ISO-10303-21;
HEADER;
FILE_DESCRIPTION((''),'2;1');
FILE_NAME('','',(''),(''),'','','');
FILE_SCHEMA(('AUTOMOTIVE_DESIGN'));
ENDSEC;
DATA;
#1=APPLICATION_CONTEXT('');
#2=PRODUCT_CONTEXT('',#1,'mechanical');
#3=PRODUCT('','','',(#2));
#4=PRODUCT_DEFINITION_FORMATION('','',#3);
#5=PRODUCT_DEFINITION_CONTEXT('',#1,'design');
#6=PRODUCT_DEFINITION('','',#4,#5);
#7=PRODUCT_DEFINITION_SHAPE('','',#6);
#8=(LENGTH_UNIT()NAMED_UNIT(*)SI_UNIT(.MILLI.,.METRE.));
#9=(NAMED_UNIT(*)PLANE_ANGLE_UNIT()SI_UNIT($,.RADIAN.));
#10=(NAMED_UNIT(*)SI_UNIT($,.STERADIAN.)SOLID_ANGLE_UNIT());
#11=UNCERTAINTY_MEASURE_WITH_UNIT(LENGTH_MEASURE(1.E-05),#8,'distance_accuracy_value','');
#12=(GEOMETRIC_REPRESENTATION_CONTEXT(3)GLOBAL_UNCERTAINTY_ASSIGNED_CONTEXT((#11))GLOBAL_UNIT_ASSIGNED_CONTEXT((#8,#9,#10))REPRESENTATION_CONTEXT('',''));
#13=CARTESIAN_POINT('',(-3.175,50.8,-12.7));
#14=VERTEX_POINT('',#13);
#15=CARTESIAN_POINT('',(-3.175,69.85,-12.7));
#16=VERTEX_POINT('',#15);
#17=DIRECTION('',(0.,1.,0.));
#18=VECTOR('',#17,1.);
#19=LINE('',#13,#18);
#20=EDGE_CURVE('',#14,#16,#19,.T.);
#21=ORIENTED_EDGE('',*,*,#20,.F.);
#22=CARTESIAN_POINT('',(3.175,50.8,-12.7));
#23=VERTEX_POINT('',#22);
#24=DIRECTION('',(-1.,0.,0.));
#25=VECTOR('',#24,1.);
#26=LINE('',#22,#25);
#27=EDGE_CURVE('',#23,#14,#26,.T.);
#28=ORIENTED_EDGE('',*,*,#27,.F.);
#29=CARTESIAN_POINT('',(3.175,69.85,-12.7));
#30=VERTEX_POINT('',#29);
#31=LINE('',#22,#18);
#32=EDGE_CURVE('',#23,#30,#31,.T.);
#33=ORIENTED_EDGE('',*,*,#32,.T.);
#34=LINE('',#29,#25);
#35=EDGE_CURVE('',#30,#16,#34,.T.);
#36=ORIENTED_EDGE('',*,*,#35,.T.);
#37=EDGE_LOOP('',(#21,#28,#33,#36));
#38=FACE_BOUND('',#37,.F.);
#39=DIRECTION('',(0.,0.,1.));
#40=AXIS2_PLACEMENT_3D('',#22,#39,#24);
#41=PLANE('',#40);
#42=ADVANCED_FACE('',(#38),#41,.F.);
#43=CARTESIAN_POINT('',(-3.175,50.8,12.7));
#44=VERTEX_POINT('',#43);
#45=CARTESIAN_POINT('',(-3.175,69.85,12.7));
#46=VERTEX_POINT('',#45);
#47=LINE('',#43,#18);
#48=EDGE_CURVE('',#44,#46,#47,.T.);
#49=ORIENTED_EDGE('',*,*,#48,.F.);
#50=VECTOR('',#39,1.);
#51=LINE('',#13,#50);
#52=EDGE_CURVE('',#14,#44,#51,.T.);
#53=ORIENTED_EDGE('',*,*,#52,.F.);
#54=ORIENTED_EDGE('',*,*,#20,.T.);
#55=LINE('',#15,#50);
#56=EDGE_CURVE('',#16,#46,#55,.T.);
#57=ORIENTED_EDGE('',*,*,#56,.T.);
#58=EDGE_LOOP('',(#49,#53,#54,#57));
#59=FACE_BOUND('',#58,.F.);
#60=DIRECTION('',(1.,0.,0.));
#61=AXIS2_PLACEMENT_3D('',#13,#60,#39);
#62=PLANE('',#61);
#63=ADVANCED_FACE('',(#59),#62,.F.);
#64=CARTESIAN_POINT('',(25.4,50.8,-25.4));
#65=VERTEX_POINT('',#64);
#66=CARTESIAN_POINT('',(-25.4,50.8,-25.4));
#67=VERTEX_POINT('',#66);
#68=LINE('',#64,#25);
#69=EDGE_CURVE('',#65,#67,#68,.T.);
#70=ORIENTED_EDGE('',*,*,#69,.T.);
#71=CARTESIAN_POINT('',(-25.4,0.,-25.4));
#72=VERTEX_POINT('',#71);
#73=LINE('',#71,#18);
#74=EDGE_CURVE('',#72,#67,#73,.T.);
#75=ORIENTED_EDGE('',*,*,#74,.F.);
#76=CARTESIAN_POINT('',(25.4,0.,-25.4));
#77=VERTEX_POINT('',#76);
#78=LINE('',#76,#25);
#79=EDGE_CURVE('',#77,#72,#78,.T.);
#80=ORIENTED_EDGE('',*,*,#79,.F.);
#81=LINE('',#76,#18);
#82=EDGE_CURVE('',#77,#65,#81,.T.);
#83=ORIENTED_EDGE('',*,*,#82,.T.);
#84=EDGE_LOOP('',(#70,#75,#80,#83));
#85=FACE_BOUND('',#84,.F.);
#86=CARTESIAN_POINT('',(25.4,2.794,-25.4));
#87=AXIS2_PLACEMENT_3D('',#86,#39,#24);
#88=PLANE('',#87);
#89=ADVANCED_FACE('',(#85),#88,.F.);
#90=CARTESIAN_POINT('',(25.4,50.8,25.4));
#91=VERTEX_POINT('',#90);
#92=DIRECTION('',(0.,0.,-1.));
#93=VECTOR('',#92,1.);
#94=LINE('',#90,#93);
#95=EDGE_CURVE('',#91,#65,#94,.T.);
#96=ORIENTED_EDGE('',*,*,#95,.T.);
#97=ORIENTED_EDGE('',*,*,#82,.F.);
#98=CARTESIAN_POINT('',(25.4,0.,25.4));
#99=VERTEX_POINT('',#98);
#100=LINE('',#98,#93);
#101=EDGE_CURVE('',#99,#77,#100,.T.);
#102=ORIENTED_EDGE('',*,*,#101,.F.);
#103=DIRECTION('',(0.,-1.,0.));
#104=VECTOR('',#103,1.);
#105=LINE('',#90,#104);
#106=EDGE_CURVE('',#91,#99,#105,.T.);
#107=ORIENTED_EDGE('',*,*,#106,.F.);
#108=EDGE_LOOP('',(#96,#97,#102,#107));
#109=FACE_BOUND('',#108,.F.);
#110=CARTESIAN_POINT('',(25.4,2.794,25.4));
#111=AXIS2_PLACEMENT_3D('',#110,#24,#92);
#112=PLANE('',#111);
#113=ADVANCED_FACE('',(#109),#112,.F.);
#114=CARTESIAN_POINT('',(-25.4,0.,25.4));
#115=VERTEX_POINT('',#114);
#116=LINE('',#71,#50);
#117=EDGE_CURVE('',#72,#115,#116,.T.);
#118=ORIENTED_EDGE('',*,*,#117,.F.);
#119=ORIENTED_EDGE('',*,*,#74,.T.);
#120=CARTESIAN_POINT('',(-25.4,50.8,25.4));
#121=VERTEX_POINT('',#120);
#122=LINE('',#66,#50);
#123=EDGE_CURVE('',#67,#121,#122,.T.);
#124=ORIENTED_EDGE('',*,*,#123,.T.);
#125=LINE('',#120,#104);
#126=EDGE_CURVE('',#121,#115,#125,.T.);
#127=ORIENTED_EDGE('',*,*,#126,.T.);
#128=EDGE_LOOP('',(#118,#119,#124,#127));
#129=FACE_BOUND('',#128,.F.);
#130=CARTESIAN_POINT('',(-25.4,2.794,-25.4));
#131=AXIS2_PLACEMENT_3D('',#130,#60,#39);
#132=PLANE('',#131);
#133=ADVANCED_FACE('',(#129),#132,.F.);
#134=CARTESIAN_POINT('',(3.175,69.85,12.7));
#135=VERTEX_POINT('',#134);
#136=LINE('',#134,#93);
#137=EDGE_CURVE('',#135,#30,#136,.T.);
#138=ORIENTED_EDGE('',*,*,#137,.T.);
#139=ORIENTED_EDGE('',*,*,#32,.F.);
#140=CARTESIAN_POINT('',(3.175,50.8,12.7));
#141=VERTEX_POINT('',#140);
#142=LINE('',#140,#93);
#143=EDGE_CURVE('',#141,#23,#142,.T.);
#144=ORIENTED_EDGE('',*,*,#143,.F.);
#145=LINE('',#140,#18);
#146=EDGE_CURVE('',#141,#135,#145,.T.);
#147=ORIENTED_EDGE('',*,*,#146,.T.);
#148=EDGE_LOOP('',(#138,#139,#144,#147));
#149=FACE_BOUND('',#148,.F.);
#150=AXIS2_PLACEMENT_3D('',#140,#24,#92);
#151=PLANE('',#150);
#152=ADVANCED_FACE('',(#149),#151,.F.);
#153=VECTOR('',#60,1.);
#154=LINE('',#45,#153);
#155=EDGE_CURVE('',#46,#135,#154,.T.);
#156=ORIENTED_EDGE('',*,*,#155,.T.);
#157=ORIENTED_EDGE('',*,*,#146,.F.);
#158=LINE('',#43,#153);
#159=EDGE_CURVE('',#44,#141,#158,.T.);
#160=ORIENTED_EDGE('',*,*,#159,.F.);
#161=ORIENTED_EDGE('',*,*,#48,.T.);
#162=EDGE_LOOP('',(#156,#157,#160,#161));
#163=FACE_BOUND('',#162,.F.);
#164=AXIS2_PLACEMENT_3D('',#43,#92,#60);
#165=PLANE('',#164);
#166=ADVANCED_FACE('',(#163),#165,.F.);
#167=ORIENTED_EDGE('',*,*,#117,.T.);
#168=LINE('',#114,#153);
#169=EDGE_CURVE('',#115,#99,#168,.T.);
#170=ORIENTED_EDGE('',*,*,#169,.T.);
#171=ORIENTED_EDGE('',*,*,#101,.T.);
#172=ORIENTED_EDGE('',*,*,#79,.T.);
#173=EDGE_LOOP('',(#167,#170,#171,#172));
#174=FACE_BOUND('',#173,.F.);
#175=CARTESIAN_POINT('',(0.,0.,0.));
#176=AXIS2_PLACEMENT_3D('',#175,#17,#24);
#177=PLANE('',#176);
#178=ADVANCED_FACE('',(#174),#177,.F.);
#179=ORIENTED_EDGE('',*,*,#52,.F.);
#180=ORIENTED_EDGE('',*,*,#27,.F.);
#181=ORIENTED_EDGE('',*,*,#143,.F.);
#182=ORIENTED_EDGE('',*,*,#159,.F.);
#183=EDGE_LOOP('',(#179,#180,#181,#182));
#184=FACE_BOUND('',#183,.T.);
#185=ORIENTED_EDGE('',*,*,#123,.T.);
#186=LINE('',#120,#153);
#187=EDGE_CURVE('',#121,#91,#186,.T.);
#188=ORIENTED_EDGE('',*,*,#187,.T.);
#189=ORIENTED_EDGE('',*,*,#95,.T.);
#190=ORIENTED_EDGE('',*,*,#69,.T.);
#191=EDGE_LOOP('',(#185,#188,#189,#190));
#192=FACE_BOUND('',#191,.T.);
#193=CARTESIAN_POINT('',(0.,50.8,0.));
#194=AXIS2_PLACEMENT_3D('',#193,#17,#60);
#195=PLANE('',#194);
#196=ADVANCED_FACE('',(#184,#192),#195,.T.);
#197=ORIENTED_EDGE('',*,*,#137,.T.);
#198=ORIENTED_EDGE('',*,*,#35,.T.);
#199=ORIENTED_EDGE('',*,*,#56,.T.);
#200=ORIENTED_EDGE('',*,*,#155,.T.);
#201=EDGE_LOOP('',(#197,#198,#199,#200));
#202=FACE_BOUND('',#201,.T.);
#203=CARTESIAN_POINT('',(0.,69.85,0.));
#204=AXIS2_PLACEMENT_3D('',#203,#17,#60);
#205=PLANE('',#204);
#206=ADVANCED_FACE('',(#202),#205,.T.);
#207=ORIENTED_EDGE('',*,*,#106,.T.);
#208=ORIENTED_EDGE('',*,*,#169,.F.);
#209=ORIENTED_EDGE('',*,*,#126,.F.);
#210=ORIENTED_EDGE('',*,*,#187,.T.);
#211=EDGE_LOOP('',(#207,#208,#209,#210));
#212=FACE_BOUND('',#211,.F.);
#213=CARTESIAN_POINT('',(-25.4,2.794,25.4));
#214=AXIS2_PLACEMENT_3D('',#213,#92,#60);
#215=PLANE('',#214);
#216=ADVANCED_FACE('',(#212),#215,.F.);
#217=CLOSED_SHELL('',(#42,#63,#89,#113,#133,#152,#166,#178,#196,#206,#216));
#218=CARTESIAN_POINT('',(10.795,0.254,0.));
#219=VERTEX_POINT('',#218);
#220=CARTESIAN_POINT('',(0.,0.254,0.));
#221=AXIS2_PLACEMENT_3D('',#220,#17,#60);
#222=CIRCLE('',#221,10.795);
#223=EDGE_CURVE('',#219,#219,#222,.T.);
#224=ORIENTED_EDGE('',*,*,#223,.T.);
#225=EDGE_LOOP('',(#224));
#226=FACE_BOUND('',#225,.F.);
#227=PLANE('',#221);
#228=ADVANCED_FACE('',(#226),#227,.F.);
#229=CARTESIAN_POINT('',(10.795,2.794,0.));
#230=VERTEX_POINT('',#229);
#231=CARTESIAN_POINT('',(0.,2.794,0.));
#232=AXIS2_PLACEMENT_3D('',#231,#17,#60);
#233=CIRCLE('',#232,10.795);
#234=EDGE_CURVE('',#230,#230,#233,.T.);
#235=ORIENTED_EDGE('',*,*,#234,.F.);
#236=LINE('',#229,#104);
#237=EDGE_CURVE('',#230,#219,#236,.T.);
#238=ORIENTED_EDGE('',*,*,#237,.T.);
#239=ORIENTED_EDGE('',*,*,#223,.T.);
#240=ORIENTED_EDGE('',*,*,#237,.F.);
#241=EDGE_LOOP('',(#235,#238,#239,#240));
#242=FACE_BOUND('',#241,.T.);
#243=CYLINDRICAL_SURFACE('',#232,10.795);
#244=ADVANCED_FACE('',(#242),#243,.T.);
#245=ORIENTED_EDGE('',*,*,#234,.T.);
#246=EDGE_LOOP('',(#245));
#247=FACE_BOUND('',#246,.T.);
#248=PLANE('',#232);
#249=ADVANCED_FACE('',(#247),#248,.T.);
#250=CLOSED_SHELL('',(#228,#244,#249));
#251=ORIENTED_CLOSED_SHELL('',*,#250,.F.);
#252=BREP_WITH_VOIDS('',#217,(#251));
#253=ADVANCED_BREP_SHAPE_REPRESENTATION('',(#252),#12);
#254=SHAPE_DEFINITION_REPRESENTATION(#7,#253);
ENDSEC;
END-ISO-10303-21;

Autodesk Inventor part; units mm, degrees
ref_plane "YZ Plane" through (0, 0, 0) normal (1, 0, 0) x (0, 1, 0)
ref_plane "XZ Plane" through (0, 0, 0) normal (0, 1, 0) x (-1, 0, 0)
ref_plane "XY Plane" through (0, 0, 0) normal (0, 0, 1) x (1, 0, 0)
sketch "Sketch1" plane through (0, 0, 0) normal (0, 1, 0) x (-1, 0, 0)
  line L0 (-25.4, -25.4) -> (25.4, -25.4)
  line L1 (25.4, -25.4) -> (25.4, 25.4)
  line L2 (25.4, 25.4) -> (-25.4, 25.4)
  line L3 (-25.4, 25.4) -> (-25.4, -25.4)
  point P0 (0, 0)
  dimension "d0" = 50.8
  dimension "d1" = 50.8
extrude "Extrusion1" add sketch "Sketch1" along normal blind 2.794
sketch "Sketch2" plane through (0, 2.794, 0) normal (0, 1, 0) x (1, 0, 0)
  circle A0 centre (0, 0) radius 10.795
  dimension "d4" = 21.59
extrude "Extrusion2" cut sketch "Sketch2" against normal blind 2.54
sketch "Sketch3" plane through (0, 2.794, 0) normal (0, 1, 0) x (1, 0, 0)
  point P0 (0, 0)
sketch "Sketch4" plane through (0, 2.794, 0) normal (0, 1, 0) x (1, 0, 0)
  line L0 (25.4, 25.4) -> (-25.4, 25.4) projected
  line L1 (-25.4, -25.4) -> (25.4, -25.4) projected
  line L2 (25.4, 25.4) -> (-25.4, 25.4)
  line L3 (-25.4, 25.4) -> (-25.4, -25.4)
  line L4 (-25.4, -25.4) -> (25.4, -25.4)
  line L5 (25.4, -25.4) -> (25.4, 25.4)
  point P0 (0, 0)
extrude "Extrusion3" add sketch "Sketch4" along normal blind 48.006
sketch "Sketch5" plane through (0, 50.8, 0) normal (0, 1, 0) x (1, 0, 0)
  line L0 (3.175, 12.7) -> (-3.175, 12.7)
  line L1 (-3.175, 12.7) -> (-3.175, -12.7)
  line L2 (-3.175, -12.7) -> (3.175, -12.7)
  line L3 (3.175, -12.7) -> (3.175, 12.7)
  point P0 (0, 0)
  dimension "d9" = 6.35
  dimension "d10" = 25.4
extrude "Extrusion4" add sketch "Sketch5" along normal blind 19.05
properties part number "block for magnet"
